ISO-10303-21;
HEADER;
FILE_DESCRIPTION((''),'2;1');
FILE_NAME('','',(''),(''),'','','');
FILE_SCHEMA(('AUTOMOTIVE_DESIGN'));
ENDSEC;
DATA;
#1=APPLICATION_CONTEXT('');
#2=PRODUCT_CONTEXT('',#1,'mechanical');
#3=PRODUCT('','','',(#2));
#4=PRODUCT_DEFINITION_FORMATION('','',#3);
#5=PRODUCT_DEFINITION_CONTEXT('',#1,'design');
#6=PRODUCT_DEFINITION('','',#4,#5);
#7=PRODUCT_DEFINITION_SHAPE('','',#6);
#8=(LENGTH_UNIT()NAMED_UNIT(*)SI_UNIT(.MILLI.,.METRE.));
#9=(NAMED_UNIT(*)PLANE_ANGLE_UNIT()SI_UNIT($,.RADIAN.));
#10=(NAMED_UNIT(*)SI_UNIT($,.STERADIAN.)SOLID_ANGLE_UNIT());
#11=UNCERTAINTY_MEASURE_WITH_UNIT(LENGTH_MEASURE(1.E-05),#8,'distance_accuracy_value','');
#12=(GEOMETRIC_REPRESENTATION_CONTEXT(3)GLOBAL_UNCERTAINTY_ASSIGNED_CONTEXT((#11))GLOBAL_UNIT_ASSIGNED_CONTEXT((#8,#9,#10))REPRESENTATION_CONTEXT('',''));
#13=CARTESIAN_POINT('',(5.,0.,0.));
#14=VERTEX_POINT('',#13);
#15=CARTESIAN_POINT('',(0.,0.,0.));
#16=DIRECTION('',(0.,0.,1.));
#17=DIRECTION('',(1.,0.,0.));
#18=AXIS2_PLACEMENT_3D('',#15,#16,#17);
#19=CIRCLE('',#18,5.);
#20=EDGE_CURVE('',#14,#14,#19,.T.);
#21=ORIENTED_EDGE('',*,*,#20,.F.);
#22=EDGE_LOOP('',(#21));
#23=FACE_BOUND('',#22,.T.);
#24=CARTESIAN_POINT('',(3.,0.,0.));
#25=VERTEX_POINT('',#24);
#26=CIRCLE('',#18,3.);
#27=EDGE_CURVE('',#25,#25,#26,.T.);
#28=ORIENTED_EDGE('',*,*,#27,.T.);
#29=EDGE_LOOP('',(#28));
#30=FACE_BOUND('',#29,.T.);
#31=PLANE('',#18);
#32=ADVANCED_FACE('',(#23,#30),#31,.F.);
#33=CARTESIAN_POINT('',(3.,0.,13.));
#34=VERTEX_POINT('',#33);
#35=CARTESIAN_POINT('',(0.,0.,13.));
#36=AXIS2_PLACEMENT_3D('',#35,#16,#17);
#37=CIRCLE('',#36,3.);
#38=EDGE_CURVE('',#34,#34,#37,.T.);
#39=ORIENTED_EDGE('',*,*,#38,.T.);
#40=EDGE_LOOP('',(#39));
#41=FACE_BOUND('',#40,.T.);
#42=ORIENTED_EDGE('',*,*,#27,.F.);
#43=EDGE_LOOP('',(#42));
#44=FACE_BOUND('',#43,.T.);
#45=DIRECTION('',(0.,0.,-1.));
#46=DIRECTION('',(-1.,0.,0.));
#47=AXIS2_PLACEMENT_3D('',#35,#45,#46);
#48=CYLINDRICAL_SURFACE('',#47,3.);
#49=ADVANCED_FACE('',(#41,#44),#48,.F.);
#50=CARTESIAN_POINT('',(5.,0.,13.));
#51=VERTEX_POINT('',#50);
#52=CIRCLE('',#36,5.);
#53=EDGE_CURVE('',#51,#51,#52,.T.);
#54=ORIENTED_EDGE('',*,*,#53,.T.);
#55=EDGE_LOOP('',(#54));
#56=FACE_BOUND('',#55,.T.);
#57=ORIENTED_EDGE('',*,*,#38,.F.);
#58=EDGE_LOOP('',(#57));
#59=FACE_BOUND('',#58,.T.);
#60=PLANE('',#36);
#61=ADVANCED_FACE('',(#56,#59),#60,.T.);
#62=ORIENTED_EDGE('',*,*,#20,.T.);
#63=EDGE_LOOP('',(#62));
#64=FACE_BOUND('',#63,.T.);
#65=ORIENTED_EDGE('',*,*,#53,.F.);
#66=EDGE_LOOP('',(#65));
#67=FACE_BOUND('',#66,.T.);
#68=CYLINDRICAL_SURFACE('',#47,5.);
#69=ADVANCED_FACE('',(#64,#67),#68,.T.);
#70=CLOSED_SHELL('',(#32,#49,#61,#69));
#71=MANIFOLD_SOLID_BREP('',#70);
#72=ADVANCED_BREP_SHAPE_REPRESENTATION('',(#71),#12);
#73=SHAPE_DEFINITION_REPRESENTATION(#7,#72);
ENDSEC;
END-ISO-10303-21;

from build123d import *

# Parameters (mm, degrees)
ESQUISSE1_R        = 5
ESQUISSE1_R_2      = 3
BOSS_EXTRU_1_DEPTH = 13


with BuildPart() as part:
    # Esquisse1 → Boss.-Extru.1 (new body)
    with BuildSketch(Plane.XY):
        Circle(ESQUISSE1_R)
        Circle(ESQUISSE1_R_2, mode=Mode.SUBTRACT)
    extrude(amount=BOSS_EXTRU_1_DEPTH)


solid = part.part
